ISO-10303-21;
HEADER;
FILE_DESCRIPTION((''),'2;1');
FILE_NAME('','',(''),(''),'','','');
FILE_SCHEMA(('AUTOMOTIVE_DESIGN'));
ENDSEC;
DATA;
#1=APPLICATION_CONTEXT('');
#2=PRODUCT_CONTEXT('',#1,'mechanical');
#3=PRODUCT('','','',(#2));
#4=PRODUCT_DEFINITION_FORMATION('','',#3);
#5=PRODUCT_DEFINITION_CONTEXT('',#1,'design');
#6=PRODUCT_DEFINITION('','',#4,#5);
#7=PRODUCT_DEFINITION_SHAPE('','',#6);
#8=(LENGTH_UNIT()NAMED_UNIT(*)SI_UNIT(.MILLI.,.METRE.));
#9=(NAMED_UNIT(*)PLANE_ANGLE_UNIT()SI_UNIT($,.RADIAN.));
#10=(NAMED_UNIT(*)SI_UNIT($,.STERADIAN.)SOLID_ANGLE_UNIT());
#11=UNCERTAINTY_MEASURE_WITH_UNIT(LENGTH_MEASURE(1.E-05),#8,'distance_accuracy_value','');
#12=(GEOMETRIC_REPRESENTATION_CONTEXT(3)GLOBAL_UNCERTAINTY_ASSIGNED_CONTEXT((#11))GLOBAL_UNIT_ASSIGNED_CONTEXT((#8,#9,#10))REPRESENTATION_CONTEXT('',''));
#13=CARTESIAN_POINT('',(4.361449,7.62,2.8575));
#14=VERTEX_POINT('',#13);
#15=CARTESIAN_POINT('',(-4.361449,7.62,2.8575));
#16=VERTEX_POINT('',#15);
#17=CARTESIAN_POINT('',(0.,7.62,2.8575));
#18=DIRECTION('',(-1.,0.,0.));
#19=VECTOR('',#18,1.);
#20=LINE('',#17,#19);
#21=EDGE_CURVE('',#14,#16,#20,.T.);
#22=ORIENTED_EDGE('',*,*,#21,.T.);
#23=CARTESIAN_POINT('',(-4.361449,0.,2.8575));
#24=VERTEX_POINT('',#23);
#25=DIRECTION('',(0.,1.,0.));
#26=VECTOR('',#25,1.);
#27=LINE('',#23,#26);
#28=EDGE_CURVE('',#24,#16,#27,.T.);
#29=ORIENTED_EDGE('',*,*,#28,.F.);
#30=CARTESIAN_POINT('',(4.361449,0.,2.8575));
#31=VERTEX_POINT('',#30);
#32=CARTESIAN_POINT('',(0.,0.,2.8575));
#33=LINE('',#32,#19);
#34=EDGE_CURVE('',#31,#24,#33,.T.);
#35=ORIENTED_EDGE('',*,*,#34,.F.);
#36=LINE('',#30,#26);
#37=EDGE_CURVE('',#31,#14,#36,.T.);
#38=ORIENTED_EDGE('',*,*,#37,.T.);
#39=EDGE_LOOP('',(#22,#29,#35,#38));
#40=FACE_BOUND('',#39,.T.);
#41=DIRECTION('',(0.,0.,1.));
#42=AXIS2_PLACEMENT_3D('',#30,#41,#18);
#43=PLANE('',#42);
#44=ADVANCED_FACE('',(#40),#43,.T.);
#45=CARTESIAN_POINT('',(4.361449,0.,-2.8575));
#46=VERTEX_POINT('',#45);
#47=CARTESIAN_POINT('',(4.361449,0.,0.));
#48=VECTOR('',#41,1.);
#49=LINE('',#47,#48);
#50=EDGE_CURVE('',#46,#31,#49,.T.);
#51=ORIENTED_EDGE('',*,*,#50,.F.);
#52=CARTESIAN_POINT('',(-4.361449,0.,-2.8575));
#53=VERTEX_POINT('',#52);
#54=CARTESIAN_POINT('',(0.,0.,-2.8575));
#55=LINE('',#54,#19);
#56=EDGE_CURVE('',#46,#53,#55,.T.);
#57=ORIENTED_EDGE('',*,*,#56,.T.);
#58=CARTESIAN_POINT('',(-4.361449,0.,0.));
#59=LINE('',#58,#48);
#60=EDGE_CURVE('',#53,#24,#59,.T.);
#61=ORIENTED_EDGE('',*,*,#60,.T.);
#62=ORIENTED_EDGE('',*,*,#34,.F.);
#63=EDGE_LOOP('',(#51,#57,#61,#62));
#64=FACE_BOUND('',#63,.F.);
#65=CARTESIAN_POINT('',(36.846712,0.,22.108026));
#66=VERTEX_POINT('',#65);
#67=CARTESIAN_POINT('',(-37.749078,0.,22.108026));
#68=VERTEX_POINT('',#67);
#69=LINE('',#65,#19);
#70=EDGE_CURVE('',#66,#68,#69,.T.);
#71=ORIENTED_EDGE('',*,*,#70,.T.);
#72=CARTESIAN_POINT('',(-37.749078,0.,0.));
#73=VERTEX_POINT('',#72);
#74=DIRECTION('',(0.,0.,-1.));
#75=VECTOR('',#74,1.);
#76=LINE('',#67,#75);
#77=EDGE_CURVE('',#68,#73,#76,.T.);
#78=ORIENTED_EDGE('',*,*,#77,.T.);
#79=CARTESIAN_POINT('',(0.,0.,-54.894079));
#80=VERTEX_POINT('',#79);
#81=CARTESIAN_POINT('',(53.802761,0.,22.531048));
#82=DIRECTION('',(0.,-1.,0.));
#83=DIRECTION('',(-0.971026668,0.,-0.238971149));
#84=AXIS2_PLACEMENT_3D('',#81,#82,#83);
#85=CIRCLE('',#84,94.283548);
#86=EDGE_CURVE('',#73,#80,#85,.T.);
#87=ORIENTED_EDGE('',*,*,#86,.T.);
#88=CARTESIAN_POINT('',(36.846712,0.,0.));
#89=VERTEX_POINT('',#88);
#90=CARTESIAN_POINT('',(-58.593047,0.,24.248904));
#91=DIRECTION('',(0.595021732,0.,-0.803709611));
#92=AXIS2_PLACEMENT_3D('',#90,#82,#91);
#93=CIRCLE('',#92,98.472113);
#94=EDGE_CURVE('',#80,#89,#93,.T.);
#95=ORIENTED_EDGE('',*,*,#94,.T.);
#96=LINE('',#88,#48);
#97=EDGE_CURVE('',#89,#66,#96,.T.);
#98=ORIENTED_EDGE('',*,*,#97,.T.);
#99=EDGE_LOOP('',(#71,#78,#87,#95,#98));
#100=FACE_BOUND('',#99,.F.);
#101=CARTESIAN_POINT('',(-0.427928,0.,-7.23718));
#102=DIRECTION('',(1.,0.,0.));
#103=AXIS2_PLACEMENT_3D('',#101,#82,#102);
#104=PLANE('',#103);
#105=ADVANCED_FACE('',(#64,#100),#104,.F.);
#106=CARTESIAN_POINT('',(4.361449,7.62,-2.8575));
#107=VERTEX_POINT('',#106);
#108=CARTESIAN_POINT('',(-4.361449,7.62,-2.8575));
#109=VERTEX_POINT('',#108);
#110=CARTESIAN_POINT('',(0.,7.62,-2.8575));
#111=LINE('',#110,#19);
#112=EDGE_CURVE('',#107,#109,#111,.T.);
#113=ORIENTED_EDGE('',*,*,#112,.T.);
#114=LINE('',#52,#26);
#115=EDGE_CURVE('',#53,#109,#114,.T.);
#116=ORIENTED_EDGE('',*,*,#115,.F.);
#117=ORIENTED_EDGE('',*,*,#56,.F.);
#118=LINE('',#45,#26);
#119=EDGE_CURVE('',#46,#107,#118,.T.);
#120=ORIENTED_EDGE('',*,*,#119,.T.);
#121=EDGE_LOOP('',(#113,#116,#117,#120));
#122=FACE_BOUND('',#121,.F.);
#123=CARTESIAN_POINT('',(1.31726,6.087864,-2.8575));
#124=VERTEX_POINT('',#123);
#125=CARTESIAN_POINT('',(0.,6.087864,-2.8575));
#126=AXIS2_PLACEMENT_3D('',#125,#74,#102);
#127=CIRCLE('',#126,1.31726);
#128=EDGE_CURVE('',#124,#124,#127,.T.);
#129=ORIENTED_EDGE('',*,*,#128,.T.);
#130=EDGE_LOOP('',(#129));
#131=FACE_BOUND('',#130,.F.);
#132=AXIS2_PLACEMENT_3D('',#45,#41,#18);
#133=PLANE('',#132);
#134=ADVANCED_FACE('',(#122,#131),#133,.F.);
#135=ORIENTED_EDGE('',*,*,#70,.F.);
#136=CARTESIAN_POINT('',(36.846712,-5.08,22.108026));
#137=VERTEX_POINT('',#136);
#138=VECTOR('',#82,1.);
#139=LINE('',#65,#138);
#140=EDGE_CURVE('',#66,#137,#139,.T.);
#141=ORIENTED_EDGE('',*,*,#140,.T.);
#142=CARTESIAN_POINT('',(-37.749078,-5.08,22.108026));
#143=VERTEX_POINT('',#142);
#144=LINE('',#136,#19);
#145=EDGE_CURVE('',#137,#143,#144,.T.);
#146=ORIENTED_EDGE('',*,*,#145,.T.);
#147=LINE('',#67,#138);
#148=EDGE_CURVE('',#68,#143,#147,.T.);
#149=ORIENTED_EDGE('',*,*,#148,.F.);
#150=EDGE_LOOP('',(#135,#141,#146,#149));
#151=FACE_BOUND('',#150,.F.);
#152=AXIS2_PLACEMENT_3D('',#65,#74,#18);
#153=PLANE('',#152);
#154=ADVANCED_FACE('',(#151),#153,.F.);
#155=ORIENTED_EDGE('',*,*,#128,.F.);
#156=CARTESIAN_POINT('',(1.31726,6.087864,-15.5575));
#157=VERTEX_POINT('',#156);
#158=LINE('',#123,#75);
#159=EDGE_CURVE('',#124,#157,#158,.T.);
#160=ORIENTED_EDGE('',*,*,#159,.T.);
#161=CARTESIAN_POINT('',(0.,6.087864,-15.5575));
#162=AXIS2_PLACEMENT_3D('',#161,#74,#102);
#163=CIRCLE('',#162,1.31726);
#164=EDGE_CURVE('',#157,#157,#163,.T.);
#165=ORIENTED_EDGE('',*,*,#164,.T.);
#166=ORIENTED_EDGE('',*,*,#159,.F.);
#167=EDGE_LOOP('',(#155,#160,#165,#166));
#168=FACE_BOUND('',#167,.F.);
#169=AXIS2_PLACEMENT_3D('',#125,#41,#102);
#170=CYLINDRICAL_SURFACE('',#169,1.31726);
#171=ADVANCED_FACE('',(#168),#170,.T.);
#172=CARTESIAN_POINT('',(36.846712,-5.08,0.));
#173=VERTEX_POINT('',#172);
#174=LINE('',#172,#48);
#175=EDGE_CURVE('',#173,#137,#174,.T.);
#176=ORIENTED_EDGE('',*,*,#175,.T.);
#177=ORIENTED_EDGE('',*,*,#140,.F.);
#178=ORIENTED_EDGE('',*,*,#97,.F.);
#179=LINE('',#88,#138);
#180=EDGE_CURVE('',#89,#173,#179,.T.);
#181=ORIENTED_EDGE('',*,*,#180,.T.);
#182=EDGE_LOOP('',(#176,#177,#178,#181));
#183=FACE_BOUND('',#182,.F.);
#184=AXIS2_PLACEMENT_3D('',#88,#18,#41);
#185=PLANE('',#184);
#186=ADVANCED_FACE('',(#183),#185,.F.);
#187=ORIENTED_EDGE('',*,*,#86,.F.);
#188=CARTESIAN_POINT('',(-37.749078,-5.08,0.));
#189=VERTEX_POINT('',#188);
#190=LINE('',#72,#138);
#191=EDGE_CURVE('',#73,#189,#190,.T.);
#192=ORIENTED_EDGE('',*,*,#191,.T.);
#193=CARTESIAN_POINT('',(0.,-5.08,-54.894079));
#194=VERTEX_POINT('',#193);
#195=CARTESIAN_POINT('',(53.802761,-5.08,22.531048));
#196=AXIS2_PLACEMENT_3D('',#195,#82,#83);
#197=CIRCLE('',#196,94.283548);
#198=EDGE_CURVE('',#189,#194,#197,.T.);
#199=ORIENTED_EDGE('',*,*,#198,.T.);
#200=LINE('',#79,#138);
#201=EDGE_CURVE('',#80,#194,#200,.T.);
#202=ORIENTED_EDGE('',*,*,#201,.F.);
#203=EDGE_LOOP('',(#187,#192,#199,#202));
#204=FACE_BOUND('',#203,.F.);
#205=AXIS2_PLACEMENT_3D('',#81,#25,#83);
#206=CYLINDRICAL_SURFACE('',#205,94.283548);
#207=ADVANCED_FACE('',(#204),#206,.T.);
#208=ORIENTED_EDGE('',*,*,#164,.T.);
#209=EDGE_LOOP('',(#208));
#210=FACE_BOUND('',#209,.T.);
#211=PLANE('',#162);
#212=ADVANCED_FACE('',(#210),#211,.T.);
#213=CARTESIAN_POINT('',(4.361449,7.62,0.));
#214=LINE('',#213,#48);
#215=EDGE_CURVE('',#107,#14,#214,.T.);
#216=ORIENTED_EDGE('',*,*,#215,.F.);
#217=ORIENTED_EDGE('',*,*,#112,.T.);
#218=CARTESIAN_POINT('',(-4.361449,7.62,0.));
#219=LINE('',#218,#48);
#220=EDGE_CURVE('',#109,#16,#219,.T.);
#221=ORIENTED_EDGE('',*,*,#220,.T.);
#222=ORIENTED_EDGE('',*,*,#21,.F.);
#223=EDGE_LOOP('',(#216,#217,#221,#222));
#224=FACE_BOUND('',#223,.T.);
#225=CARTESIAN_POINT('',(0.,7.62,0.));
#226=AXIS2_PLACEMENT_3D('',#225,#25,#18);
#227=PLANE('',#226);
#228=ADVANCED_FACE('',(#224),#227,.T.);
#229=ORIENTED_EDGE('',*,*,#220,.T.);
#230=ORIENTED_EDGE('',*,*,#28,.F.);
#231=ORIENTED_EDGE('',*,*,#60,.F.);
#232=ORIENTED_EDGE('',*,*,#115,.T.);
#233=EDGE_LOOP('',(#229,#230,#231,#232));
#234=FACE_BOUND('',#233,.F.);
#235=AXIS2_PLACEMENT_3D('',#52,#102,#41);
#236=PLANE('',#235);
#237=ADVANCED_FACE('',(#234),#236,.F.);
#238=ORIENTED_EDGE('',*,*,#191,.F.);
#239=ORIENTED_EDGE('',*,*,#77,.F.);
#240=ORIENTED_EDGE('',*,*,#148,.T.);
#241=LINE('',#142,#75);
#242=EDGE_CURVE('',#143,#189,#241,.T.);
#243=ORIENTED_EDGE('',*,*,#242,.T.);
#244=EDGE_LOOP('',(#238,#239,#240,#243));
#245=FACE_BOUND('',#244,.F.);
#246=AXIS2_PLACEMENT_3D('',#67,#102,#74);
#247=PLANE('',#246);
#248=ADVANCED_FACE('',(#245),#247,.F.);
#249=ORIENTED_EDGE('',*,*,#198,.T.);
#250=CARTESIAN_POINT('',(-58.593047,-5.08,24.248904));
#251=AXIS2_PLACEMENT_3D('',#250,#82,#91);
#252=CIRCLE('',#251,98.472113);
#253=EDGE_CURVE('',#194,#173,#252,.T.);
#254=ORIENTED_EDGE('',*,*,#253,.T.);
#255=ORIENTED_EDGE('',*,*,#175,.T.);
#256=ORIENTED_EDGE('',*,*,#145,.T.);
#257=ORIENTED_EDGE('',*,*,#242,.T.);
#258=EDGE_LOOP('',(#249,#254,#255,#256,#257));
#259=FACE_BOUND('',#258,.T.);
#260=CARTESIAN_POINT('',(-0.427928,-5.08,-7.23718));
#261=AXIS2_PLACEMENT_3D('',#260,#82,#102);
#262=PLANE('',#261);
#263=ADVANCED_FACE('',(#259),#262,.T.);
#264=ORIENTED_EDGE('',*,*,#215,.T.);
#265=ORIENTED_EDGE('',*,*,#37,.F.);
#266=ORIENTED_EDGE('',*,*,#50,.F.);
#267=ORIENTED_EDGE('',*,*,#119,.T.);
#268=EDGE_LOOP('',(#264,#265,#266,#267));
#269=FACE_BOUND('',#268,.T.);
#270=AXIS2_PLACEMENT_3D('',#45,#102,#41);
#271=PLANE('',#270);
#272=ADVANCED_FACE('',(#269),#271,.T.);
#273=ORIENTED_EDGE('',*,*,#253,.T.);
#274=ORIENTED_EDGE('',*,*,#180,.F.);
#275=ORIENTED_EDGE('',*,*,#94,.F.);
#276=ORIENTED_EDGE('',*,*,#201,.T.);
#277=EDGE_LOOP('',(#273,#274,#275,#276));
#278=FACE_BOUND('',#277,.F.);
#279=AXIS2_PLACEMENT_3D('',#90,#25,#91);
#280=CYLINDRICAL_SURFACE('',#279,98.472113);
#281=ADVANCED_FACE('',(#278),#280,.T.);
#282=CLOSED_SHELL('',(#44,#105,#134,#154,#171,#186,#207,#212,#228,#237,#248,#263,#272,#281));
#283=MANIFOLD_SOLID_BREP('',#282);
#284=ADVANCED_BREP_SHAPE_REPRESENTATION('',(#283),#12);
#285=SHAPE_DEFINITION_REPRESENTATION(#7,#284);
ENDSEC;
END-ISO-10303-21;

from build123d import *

# Parameters (mm, degrees)
F1_DEPTH = 5.08
F2_W     = 8.722898
F2_H     = 5.715
F3_DEPTH = 7.62
F4_R     = 1.31726
F5_DEPTH = 12.7


with BuildPart() as f1:
    # F0 (on Front) → F1 (new body)
    with BuildSketch(Plane.XZ):
        with BuildLine():
            ThreePointArc((-37.749078, 0), (-23.884625, -30.892331), (0, -54.894079))
            ThreePointArc((0, -54.894079), (23.167985, -30.63179), (36.846712, 0))
            Line((36.846712, 0), (36.846712, 22.108026))
            Line((36.846712, 22.108026), (-37.749078, 22.108026))
            Line((-37.749078, 22.108026), (-37.749078, 21.205658))
            Line((-37.749078, 21.205658), (-37.749078, 0))
        make_face()
    extrude(amount=F1_DEPTH)

    # F2 (on face) → F3 (join)
    with BuildSketch(Plane(origin=(0, 0, 0), x_dir=(-1, 0, 0), z_dir=(0, 1, 0))):
        Rectangle(F2_W, F2_H)
    extrude(amount=F3_DEPTH)

    # F4 (on face) → F5 (join)
    with BuildSketch(Plane(origin=(0, 0, -2.8575), x_dir=(1, 0, 0), z_dir=(0, 0, -1))):
        with Locations((0, -6.087864)):
            Circle(F4_R)
    extrude(amount=F5_DEPTH)


solid = f1.part
